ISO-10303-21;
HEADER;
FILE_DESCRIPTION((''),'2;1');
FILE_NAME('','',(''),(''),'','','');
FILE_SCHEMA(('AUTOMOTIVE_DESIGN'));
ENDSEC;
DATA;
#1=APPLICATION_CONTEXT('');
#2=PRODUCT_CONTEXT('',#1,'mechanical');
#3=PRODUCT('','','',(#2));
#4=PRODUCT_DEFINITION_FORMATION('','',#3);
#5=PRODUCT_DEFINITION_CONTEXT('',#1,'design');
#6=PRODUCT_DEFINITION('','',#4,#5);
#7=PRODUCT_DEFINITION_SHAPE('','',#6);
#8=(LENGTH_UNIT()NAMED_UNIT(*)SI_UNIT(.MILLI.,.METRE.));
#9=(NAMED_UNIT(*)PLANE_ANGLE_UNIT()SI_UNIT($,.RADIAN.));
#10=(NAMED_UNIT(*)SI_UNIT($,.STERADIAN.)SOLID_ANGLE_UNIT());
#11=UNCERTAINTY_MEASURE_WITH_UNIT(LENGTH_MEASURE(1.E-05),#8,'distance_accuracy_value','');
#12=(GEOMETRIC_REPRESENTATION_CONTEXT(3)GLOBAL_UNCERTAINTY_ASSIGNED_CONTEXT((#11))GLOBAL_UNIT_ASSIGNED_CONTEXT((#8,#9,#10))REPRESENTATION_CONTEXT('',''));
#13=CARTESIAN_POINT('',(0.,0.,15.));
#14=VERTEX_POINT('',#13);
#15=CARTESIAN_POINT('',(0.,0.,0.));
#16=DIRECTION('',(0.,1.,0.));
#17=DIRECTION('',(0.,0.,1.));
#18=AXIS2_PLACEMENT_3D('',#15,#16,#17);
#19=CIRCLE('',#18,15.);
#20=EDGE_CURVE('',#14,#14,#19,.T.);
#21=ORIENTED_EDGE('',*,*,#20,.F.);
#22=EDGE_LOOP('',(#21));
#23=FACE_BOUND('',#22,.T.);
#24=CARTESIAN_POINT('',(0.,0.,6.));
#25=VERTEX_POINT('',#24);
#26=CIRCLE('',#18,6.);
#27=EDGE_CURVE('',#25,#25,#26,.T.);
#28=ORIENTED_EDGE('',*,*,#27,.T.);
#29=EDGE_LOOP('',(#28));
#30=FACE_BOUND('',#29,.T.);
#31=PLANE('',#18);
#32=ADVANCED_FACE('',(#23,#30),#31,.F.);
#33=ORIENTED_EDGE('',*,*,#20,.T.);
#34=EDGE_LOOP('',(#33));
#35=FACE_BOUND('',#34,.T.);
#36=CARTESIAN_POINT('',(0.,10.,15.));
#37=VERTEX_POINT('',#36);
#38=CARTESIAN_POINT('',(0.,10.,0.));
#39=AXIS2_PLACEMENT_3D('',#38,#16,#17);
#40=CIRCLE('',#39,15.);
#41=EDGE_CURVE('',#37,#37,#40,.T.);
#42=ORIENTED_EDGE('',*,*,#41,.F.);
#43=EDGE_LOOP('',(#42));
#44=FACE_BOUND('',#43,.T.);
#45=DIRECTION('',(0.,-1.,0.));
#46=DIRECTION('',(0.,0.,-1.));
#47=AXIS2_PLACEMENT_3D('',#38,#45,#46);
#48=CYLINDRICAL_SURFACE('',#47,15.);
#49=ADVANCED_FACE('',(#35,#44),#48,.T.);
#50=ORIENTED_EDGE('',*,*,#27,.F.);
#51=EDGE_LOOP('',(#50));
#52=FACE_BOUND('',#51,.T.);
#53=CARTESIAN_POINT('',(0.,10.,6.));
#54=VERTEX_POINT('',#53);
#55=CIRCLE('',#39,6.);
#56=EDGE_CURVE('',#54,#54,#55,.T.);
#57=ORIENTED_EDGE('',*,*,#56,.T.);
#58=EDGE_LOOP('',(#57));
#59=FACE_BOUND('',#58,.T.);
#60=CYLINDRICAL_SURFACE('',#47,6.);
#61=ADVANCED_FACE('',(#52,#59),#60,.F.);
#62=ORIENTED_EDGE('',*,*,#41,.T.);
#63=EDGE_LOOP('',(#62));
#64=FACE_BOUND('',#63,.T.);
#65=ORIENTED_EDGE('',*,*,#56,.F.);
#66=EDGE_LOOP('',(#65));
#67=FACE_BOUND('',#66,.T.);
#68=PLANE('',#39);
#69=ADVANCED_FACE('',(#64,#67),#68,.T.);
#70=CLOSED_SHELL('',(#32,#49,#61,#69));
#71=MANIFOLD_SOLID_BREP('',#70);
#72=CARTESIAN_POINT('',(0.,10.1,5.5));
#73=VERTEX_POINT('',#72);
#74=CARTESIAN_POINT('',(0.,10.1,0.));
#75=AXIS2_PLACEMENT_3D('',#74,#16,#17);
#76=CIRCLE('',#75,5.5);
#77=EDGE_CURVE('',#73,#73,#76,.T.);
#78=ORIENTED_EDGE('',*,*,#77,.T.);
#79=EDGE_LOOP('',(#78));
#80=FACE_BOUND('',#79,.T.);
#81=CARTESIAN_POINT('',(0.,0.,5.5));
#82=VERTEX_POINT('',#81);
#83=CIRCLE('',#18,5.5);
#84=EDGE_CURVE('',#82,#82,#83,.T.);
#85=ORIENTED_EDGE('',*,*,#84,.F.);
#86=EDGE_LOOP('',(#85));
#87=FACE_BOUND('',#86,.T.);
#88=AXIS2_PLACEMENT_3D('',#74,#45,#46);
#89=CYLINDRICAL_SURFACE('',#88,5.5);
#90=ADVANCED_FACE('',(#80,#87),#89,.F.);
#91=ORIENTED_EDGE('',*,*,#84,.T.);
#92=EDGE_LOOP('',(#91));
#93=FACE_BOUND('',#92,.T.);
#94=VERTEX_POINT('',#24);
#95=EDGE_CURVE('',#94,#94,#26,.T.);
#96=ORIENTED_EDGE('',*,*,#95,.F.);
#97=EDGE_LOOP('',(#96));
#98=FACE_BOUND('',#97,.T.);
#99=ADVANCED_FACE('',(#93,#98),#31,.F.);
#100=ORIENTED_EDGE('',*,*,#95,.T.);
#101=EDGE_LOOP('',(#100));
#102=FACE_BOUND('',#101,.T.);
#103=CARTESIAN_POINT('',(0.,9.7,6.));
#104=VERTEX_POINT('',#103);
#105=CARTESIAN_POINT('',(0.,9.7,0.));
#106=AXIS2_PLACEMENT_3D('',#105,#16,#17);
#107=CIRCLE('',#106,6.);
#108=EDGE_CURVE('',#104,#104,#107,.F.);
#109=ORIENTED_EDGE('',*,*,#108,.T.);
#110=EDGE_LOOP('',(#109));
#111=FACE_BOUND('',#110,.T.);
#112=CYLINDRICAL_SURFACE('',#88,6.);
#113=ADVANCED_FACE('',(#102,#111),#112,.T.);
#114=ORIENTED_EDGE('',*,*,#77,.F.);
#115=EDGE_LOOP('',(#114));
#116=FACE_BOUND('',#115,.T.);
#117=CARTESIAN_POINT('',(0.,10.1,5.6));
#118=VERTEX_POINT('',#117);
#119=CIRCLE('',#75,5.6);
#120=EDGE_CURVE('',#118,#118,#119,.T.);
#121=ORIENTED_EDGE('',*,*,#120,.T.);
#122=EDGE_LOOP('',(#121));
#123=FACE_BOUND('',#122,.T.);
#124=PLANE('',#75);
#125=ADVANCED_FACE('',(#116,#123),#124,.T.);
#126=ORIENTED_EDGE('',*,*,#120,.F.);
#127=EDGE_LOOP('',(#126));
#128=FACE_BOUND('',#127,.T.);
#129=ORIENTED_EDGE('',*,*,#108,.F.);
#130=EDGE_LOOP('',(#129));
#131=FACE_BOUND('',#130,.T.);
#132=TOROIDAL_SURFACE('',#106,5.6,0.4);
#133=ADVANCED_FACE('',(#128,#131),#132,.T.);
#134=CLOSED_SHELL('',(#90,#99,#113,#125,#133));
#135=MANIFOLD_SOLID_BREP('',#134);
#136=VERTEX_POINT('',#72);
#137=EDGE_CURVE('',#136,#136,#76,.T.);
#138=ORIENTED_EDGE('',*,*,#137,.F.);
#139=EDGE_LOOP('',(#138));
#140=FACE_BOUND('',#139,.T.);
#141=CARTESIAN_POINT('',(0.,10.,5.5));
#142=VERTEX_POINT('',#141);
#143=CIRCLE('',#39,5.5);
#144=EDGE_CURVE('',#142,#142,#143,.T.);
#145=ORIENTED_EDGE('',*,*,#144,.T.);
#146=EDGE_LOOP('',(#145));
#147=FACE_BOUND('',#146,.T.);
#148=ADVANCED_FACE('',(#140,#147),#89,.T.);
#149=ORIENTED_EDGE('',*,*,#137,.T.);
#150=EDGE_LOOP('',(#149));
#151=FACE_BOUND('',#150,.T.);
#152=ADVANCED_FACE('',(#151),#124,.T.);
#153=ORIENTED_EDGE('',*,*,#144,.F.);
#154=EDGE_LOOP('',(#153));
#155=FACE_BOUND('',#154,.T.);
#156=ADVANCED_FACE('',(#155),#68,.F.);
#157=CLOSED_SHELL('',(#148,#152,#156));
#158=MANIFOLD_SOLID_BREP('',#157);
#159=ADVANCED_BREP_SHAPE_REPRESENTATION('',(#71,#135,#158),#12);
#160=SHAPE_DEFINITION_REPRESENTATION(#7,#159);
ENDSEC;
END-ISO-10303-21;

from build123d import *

# Parameters (mm, degrees)
SKETCH1_R           = 15
SKETCH1_R_2         = 6
BOSS_EXTRUDE1_DEPTH = 10
SKETCH2_R           = 6
SKETCH2_R_2         = 5.5
BOSS_EXTRUDE2_DEPTH = 10.1
FILLET1_R           = 0.4
SKETCH3_R           = 5.5
BOSS_EXTRUDE3_DEPTH = 0.1


with BuildPart() as part:
    # Sketch1 → Boss-Extrude1 (new body)
    with BuildSketch(Plane(origin=(0, 0, 0), x_dir=(1, 0, 0), z_dir=(0, 1, 0))):
        with Locations(Location((0, 0, 0), (0, 0, 270))):
            Circle(SKETCH1_R)
        with Locations(Location((0, 0, 0), (0, 0, 270))):
            Circle(SKETCH1_R_2, mode=Mode.SUBTRACT)
    extrude(amount=BOSS_EXTRUDE1_DEPTH)


with BuildPart() as body_2:
    # Sketch2 → Boss-Extrude2 (new body)
    with BuildSketch(Plane(origin=(0, 0, 0), x_dir=(1, 0, 0), z_dir=(0, 1, 0))):
        with Locations(Location((0, 0, 0), (0, 0, 270))):
            Circle(SKETCH2_R)
        with Locations(Location((0, 0, 0), (0, 0, 270))):
            Circle(SKETCH2_R_2, mode=Mode.SUBTRACT)
    extrude(amount=BOSS_EXTRUDE2_DEPTH)

    # Fillet1
    fillet1_edges = [body_2.edges().sort_by_distance(p)[0] for p in [
        (0, 10.1, -6),
    ]]
    fillet(fillet1_edges, radius=FILLET1_R)


with BuildPart() as body_3:
    # Sketch3 → Boss-Extrude3 (new body)
    with BuildSketch(Plane(origin=(0, 10, 0), x_dir=(1, 0, 0), z_dir=(0, 1, 0))):
        with Locations(Location((0, 0, 0), (0, 0, 270))):
            Circle(SKETCH3_R)
    extrude(amount=BOSS_EXTRUDE3_DEPTH)


solid = Compound([part.part, body_2.part, body_3.part])
